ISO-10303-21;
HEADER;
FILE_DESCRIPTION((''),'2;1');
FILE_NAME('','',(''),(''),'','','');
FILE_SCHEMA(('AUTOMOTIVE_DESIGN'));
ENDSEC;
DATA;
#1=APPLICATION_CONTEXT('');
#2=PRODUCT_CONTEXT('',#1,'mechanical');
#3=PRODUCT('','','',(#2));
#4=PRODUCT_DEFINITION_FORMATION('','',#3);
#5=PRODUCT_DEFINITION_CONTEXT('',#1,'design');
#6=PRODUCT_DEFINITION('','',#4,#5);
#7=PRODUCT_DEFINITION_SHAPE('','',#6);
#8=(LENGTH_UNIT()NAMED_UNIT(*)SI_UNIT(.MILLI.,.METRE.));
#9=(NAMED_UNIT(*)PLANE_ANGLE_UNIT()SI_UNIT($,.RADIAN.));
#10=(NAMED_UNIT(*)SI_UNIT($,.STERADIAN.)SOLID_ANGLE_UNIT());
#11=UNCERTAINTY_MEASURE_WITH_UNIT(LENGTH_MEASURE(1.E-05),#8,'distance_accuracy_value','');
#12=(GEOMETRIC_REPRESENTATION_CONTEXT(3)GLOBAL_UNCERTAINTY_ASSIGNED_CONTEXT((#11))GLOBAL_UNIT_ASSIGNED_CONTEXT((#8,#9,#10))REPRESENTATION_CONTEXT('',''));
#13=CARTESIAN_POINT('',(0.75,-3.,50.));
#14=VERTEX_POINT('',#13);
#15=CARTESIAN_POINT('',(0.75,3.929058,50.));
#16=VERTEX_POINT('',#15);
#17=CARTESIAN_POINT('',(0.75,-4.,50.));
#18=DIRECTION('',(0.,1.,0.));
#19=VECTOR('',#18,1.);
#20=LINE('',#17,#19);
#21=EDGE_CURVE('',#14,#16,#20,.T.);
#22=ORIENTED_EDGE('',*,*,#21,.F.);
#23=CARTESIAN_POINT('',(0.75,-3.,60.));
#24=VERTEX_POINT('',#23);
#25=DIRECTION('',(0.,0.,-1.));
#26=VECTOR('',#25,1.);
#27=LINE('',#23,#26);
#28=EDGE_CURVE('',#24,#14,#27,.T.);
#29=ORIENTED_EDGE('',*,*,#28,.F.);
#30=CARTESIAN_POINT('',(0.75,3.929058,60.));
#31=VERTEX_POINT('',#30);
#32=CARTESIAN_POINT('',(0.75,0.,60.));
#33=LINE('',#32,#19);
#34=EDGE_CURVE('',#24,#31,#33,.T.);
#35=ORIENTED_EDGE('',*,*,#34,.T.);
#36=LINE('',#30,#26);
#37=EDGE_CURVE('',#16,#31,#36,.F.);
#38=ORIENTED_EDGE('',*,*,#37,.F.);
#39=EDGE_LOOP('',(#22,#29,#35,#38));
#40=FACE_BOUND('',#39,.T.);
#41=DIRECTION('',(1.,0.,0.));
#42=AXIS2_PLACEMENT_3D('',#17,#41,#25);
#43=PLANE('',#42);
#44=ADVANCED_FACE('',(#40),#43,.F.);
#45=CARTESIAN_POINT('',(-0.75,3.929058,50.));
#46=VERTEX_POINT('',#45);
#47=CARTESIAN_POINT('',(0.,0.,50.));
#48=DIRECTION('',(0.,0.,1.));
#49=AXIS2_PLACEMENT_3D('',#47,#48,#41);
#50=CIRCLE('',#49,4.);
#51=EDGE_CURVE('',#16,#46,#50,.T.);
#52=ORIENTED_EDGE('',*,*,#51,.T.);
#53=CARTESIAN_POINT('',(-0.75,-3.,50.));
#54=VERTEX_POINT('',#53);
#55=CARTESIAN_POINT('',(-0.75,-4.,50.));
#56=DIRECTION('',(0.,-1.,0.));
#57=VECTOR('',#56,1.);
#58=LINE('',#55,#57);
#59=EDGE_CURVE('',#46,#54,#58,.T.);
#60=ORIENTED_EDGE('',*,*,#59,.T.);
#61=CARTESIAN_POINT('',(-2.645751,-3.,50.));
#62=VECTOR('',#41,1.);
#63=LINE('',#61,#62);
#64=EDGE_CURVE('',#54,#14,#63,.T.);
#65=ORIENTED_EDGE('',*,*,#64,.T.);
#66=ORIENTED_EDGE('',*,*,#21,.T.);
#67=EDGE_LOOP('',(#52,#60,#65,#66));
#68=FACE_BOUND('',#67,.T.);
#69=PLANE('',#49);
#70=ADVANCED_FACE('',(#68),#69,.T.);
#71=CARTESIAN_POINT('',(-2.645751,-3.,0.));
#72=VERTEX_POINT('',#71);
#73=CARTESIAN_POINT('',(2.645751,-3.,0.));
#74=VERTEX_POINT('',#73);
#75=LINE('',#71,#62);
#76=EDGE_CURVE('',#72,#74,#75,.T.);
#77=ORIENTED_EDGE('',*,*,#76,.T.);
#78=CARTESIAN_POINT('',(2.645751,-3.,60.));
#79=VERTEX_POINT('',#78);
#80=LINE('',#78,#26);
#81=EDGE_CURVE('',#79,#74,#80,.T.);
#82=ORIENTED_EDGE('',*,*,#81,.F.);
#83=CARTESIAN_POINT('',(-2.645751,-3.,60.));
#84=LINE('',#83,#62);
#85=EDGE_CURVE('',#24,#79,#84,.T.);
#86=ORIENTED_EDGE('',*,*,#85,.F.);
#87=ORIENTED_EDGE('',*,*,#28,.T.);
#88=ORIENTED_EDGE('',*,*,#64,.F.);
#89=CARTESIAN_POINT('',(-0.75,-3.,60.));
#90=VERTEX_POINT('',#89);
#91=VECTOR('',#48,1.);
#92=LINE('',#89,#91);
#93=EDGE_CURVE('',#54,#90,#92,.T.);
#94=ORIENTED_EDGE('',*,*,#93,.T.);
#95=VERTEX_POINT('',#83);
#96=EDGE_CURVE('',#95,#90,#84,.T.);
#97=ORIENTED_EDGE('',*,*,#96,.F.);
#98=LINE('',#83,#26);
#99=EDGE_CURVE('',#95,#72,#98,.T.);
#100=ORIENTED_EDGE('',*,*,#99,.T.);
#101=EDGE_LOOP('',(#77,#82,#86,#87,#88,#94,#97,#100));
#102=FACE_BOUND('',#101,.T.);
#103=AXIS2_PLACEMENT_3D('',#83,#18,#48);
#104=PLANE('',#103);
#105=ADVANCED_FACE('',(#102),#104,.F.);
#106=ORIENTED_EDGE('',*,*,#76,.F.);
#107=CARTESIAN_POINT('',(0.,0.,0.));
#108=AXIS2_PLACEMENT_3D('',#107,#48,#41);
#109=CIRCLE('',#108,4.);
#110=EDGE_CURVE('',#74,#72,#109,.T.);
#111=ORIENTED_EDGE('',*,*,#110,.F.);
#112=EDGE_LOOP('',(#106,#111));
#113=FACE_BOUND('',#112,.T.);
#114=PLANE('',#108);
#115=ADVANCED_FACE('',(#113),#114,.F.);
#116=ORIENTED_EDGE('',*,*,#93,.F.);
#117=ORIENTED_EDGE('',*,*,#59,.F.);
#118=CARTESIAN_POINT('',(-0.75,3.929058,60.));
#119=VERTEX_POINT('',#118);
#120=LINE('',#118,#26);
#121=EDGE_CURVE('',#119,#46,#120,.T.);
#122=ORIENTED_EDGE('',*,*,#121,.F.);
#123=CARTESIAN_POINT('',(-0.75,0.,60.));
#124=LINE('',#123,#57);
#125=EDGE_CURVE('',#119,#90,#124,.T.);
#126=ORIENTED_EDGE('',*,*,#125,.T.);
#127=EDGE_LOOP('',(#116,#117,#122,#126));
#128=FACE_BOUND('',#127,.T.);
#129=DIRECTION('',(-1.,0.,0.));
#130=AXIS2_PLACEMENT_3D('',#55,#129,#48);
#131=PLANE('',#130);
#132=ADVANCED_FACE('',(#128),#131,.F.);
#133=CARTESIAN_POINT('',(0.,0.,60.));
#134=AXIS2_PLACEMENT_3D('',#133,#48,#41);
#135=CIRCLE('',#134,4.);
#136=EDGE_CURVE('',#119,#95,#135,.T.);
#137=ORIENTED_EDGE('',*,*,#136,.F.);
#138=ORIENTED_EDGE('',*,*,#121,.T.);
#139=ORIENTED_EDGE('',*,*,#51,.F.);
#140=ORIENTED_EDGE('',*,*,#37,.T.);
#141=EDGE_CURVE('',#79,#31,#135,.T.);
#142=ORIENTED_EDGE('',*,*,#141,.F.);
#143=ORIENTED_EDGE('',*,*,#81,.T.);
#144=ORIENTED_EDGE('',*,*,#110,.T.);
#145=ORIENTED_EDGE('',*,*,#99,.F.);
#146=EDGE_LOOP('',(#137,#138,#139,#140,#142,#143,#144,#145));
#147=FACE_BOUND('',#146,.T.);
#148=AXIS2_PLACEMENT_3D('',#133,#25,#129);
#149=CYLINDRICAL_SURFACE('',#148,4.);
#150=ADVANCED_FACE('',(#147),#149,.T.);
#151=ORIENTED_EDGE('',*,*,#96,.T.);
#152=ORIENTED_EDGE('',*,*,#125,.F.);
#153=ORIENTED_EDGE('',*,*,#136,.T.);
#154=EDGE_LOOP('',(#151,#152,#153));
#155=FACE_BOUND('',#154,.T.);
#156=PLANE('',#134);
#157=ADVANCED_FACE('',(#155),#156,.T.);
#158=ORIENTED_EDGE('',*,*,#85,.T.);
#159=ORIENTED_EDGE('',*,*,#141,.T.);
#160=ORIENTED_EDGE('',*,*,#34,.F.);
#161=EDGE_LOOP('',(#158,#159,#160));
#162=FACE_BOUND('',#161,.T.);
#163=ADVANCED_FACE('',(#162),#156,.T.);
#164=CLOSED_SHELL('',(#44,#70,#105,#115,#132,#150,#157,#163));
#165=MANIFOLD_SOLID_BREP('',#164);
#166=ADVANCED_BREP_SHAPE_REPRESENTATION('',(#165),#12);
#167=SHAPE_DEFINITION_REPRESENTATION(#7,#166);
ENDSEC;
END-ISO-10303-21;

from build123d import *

# Parameters (mm, degrees)
BOSS_EXTRUDE1_DEPTH = 60
SKETCH2_W           = 1.5
SKETCH2_H           = 8
CUT_EXTRUDE1_DEPTH  = 10


with BuildPart() as part:
    # Sketch1 → Boss-Extrude1 (new body)
    with BuildSketch(Plane.XY):
        with BuildLine():
            Line((-2.645751311, -3), (2.645751311, -3))
            ThreePointArc((2.645751311, -3), (0, 4), (-2.645751311, -3))
        make_face()
    extrude(amount=BOSS_EXTRUDE1_DEPTH)

    # Sketch2 → Cut-Extrude1 (cut)
    with BuildSketch(Plane.XY.offset(60)):
        Rectangle(SKETCH2_W, SKETCH2_H)
    extrude(amount=-CUT_EXTRUDE1_DEPTH, mode=Mode.SUBTRACT)


solid = part.part
